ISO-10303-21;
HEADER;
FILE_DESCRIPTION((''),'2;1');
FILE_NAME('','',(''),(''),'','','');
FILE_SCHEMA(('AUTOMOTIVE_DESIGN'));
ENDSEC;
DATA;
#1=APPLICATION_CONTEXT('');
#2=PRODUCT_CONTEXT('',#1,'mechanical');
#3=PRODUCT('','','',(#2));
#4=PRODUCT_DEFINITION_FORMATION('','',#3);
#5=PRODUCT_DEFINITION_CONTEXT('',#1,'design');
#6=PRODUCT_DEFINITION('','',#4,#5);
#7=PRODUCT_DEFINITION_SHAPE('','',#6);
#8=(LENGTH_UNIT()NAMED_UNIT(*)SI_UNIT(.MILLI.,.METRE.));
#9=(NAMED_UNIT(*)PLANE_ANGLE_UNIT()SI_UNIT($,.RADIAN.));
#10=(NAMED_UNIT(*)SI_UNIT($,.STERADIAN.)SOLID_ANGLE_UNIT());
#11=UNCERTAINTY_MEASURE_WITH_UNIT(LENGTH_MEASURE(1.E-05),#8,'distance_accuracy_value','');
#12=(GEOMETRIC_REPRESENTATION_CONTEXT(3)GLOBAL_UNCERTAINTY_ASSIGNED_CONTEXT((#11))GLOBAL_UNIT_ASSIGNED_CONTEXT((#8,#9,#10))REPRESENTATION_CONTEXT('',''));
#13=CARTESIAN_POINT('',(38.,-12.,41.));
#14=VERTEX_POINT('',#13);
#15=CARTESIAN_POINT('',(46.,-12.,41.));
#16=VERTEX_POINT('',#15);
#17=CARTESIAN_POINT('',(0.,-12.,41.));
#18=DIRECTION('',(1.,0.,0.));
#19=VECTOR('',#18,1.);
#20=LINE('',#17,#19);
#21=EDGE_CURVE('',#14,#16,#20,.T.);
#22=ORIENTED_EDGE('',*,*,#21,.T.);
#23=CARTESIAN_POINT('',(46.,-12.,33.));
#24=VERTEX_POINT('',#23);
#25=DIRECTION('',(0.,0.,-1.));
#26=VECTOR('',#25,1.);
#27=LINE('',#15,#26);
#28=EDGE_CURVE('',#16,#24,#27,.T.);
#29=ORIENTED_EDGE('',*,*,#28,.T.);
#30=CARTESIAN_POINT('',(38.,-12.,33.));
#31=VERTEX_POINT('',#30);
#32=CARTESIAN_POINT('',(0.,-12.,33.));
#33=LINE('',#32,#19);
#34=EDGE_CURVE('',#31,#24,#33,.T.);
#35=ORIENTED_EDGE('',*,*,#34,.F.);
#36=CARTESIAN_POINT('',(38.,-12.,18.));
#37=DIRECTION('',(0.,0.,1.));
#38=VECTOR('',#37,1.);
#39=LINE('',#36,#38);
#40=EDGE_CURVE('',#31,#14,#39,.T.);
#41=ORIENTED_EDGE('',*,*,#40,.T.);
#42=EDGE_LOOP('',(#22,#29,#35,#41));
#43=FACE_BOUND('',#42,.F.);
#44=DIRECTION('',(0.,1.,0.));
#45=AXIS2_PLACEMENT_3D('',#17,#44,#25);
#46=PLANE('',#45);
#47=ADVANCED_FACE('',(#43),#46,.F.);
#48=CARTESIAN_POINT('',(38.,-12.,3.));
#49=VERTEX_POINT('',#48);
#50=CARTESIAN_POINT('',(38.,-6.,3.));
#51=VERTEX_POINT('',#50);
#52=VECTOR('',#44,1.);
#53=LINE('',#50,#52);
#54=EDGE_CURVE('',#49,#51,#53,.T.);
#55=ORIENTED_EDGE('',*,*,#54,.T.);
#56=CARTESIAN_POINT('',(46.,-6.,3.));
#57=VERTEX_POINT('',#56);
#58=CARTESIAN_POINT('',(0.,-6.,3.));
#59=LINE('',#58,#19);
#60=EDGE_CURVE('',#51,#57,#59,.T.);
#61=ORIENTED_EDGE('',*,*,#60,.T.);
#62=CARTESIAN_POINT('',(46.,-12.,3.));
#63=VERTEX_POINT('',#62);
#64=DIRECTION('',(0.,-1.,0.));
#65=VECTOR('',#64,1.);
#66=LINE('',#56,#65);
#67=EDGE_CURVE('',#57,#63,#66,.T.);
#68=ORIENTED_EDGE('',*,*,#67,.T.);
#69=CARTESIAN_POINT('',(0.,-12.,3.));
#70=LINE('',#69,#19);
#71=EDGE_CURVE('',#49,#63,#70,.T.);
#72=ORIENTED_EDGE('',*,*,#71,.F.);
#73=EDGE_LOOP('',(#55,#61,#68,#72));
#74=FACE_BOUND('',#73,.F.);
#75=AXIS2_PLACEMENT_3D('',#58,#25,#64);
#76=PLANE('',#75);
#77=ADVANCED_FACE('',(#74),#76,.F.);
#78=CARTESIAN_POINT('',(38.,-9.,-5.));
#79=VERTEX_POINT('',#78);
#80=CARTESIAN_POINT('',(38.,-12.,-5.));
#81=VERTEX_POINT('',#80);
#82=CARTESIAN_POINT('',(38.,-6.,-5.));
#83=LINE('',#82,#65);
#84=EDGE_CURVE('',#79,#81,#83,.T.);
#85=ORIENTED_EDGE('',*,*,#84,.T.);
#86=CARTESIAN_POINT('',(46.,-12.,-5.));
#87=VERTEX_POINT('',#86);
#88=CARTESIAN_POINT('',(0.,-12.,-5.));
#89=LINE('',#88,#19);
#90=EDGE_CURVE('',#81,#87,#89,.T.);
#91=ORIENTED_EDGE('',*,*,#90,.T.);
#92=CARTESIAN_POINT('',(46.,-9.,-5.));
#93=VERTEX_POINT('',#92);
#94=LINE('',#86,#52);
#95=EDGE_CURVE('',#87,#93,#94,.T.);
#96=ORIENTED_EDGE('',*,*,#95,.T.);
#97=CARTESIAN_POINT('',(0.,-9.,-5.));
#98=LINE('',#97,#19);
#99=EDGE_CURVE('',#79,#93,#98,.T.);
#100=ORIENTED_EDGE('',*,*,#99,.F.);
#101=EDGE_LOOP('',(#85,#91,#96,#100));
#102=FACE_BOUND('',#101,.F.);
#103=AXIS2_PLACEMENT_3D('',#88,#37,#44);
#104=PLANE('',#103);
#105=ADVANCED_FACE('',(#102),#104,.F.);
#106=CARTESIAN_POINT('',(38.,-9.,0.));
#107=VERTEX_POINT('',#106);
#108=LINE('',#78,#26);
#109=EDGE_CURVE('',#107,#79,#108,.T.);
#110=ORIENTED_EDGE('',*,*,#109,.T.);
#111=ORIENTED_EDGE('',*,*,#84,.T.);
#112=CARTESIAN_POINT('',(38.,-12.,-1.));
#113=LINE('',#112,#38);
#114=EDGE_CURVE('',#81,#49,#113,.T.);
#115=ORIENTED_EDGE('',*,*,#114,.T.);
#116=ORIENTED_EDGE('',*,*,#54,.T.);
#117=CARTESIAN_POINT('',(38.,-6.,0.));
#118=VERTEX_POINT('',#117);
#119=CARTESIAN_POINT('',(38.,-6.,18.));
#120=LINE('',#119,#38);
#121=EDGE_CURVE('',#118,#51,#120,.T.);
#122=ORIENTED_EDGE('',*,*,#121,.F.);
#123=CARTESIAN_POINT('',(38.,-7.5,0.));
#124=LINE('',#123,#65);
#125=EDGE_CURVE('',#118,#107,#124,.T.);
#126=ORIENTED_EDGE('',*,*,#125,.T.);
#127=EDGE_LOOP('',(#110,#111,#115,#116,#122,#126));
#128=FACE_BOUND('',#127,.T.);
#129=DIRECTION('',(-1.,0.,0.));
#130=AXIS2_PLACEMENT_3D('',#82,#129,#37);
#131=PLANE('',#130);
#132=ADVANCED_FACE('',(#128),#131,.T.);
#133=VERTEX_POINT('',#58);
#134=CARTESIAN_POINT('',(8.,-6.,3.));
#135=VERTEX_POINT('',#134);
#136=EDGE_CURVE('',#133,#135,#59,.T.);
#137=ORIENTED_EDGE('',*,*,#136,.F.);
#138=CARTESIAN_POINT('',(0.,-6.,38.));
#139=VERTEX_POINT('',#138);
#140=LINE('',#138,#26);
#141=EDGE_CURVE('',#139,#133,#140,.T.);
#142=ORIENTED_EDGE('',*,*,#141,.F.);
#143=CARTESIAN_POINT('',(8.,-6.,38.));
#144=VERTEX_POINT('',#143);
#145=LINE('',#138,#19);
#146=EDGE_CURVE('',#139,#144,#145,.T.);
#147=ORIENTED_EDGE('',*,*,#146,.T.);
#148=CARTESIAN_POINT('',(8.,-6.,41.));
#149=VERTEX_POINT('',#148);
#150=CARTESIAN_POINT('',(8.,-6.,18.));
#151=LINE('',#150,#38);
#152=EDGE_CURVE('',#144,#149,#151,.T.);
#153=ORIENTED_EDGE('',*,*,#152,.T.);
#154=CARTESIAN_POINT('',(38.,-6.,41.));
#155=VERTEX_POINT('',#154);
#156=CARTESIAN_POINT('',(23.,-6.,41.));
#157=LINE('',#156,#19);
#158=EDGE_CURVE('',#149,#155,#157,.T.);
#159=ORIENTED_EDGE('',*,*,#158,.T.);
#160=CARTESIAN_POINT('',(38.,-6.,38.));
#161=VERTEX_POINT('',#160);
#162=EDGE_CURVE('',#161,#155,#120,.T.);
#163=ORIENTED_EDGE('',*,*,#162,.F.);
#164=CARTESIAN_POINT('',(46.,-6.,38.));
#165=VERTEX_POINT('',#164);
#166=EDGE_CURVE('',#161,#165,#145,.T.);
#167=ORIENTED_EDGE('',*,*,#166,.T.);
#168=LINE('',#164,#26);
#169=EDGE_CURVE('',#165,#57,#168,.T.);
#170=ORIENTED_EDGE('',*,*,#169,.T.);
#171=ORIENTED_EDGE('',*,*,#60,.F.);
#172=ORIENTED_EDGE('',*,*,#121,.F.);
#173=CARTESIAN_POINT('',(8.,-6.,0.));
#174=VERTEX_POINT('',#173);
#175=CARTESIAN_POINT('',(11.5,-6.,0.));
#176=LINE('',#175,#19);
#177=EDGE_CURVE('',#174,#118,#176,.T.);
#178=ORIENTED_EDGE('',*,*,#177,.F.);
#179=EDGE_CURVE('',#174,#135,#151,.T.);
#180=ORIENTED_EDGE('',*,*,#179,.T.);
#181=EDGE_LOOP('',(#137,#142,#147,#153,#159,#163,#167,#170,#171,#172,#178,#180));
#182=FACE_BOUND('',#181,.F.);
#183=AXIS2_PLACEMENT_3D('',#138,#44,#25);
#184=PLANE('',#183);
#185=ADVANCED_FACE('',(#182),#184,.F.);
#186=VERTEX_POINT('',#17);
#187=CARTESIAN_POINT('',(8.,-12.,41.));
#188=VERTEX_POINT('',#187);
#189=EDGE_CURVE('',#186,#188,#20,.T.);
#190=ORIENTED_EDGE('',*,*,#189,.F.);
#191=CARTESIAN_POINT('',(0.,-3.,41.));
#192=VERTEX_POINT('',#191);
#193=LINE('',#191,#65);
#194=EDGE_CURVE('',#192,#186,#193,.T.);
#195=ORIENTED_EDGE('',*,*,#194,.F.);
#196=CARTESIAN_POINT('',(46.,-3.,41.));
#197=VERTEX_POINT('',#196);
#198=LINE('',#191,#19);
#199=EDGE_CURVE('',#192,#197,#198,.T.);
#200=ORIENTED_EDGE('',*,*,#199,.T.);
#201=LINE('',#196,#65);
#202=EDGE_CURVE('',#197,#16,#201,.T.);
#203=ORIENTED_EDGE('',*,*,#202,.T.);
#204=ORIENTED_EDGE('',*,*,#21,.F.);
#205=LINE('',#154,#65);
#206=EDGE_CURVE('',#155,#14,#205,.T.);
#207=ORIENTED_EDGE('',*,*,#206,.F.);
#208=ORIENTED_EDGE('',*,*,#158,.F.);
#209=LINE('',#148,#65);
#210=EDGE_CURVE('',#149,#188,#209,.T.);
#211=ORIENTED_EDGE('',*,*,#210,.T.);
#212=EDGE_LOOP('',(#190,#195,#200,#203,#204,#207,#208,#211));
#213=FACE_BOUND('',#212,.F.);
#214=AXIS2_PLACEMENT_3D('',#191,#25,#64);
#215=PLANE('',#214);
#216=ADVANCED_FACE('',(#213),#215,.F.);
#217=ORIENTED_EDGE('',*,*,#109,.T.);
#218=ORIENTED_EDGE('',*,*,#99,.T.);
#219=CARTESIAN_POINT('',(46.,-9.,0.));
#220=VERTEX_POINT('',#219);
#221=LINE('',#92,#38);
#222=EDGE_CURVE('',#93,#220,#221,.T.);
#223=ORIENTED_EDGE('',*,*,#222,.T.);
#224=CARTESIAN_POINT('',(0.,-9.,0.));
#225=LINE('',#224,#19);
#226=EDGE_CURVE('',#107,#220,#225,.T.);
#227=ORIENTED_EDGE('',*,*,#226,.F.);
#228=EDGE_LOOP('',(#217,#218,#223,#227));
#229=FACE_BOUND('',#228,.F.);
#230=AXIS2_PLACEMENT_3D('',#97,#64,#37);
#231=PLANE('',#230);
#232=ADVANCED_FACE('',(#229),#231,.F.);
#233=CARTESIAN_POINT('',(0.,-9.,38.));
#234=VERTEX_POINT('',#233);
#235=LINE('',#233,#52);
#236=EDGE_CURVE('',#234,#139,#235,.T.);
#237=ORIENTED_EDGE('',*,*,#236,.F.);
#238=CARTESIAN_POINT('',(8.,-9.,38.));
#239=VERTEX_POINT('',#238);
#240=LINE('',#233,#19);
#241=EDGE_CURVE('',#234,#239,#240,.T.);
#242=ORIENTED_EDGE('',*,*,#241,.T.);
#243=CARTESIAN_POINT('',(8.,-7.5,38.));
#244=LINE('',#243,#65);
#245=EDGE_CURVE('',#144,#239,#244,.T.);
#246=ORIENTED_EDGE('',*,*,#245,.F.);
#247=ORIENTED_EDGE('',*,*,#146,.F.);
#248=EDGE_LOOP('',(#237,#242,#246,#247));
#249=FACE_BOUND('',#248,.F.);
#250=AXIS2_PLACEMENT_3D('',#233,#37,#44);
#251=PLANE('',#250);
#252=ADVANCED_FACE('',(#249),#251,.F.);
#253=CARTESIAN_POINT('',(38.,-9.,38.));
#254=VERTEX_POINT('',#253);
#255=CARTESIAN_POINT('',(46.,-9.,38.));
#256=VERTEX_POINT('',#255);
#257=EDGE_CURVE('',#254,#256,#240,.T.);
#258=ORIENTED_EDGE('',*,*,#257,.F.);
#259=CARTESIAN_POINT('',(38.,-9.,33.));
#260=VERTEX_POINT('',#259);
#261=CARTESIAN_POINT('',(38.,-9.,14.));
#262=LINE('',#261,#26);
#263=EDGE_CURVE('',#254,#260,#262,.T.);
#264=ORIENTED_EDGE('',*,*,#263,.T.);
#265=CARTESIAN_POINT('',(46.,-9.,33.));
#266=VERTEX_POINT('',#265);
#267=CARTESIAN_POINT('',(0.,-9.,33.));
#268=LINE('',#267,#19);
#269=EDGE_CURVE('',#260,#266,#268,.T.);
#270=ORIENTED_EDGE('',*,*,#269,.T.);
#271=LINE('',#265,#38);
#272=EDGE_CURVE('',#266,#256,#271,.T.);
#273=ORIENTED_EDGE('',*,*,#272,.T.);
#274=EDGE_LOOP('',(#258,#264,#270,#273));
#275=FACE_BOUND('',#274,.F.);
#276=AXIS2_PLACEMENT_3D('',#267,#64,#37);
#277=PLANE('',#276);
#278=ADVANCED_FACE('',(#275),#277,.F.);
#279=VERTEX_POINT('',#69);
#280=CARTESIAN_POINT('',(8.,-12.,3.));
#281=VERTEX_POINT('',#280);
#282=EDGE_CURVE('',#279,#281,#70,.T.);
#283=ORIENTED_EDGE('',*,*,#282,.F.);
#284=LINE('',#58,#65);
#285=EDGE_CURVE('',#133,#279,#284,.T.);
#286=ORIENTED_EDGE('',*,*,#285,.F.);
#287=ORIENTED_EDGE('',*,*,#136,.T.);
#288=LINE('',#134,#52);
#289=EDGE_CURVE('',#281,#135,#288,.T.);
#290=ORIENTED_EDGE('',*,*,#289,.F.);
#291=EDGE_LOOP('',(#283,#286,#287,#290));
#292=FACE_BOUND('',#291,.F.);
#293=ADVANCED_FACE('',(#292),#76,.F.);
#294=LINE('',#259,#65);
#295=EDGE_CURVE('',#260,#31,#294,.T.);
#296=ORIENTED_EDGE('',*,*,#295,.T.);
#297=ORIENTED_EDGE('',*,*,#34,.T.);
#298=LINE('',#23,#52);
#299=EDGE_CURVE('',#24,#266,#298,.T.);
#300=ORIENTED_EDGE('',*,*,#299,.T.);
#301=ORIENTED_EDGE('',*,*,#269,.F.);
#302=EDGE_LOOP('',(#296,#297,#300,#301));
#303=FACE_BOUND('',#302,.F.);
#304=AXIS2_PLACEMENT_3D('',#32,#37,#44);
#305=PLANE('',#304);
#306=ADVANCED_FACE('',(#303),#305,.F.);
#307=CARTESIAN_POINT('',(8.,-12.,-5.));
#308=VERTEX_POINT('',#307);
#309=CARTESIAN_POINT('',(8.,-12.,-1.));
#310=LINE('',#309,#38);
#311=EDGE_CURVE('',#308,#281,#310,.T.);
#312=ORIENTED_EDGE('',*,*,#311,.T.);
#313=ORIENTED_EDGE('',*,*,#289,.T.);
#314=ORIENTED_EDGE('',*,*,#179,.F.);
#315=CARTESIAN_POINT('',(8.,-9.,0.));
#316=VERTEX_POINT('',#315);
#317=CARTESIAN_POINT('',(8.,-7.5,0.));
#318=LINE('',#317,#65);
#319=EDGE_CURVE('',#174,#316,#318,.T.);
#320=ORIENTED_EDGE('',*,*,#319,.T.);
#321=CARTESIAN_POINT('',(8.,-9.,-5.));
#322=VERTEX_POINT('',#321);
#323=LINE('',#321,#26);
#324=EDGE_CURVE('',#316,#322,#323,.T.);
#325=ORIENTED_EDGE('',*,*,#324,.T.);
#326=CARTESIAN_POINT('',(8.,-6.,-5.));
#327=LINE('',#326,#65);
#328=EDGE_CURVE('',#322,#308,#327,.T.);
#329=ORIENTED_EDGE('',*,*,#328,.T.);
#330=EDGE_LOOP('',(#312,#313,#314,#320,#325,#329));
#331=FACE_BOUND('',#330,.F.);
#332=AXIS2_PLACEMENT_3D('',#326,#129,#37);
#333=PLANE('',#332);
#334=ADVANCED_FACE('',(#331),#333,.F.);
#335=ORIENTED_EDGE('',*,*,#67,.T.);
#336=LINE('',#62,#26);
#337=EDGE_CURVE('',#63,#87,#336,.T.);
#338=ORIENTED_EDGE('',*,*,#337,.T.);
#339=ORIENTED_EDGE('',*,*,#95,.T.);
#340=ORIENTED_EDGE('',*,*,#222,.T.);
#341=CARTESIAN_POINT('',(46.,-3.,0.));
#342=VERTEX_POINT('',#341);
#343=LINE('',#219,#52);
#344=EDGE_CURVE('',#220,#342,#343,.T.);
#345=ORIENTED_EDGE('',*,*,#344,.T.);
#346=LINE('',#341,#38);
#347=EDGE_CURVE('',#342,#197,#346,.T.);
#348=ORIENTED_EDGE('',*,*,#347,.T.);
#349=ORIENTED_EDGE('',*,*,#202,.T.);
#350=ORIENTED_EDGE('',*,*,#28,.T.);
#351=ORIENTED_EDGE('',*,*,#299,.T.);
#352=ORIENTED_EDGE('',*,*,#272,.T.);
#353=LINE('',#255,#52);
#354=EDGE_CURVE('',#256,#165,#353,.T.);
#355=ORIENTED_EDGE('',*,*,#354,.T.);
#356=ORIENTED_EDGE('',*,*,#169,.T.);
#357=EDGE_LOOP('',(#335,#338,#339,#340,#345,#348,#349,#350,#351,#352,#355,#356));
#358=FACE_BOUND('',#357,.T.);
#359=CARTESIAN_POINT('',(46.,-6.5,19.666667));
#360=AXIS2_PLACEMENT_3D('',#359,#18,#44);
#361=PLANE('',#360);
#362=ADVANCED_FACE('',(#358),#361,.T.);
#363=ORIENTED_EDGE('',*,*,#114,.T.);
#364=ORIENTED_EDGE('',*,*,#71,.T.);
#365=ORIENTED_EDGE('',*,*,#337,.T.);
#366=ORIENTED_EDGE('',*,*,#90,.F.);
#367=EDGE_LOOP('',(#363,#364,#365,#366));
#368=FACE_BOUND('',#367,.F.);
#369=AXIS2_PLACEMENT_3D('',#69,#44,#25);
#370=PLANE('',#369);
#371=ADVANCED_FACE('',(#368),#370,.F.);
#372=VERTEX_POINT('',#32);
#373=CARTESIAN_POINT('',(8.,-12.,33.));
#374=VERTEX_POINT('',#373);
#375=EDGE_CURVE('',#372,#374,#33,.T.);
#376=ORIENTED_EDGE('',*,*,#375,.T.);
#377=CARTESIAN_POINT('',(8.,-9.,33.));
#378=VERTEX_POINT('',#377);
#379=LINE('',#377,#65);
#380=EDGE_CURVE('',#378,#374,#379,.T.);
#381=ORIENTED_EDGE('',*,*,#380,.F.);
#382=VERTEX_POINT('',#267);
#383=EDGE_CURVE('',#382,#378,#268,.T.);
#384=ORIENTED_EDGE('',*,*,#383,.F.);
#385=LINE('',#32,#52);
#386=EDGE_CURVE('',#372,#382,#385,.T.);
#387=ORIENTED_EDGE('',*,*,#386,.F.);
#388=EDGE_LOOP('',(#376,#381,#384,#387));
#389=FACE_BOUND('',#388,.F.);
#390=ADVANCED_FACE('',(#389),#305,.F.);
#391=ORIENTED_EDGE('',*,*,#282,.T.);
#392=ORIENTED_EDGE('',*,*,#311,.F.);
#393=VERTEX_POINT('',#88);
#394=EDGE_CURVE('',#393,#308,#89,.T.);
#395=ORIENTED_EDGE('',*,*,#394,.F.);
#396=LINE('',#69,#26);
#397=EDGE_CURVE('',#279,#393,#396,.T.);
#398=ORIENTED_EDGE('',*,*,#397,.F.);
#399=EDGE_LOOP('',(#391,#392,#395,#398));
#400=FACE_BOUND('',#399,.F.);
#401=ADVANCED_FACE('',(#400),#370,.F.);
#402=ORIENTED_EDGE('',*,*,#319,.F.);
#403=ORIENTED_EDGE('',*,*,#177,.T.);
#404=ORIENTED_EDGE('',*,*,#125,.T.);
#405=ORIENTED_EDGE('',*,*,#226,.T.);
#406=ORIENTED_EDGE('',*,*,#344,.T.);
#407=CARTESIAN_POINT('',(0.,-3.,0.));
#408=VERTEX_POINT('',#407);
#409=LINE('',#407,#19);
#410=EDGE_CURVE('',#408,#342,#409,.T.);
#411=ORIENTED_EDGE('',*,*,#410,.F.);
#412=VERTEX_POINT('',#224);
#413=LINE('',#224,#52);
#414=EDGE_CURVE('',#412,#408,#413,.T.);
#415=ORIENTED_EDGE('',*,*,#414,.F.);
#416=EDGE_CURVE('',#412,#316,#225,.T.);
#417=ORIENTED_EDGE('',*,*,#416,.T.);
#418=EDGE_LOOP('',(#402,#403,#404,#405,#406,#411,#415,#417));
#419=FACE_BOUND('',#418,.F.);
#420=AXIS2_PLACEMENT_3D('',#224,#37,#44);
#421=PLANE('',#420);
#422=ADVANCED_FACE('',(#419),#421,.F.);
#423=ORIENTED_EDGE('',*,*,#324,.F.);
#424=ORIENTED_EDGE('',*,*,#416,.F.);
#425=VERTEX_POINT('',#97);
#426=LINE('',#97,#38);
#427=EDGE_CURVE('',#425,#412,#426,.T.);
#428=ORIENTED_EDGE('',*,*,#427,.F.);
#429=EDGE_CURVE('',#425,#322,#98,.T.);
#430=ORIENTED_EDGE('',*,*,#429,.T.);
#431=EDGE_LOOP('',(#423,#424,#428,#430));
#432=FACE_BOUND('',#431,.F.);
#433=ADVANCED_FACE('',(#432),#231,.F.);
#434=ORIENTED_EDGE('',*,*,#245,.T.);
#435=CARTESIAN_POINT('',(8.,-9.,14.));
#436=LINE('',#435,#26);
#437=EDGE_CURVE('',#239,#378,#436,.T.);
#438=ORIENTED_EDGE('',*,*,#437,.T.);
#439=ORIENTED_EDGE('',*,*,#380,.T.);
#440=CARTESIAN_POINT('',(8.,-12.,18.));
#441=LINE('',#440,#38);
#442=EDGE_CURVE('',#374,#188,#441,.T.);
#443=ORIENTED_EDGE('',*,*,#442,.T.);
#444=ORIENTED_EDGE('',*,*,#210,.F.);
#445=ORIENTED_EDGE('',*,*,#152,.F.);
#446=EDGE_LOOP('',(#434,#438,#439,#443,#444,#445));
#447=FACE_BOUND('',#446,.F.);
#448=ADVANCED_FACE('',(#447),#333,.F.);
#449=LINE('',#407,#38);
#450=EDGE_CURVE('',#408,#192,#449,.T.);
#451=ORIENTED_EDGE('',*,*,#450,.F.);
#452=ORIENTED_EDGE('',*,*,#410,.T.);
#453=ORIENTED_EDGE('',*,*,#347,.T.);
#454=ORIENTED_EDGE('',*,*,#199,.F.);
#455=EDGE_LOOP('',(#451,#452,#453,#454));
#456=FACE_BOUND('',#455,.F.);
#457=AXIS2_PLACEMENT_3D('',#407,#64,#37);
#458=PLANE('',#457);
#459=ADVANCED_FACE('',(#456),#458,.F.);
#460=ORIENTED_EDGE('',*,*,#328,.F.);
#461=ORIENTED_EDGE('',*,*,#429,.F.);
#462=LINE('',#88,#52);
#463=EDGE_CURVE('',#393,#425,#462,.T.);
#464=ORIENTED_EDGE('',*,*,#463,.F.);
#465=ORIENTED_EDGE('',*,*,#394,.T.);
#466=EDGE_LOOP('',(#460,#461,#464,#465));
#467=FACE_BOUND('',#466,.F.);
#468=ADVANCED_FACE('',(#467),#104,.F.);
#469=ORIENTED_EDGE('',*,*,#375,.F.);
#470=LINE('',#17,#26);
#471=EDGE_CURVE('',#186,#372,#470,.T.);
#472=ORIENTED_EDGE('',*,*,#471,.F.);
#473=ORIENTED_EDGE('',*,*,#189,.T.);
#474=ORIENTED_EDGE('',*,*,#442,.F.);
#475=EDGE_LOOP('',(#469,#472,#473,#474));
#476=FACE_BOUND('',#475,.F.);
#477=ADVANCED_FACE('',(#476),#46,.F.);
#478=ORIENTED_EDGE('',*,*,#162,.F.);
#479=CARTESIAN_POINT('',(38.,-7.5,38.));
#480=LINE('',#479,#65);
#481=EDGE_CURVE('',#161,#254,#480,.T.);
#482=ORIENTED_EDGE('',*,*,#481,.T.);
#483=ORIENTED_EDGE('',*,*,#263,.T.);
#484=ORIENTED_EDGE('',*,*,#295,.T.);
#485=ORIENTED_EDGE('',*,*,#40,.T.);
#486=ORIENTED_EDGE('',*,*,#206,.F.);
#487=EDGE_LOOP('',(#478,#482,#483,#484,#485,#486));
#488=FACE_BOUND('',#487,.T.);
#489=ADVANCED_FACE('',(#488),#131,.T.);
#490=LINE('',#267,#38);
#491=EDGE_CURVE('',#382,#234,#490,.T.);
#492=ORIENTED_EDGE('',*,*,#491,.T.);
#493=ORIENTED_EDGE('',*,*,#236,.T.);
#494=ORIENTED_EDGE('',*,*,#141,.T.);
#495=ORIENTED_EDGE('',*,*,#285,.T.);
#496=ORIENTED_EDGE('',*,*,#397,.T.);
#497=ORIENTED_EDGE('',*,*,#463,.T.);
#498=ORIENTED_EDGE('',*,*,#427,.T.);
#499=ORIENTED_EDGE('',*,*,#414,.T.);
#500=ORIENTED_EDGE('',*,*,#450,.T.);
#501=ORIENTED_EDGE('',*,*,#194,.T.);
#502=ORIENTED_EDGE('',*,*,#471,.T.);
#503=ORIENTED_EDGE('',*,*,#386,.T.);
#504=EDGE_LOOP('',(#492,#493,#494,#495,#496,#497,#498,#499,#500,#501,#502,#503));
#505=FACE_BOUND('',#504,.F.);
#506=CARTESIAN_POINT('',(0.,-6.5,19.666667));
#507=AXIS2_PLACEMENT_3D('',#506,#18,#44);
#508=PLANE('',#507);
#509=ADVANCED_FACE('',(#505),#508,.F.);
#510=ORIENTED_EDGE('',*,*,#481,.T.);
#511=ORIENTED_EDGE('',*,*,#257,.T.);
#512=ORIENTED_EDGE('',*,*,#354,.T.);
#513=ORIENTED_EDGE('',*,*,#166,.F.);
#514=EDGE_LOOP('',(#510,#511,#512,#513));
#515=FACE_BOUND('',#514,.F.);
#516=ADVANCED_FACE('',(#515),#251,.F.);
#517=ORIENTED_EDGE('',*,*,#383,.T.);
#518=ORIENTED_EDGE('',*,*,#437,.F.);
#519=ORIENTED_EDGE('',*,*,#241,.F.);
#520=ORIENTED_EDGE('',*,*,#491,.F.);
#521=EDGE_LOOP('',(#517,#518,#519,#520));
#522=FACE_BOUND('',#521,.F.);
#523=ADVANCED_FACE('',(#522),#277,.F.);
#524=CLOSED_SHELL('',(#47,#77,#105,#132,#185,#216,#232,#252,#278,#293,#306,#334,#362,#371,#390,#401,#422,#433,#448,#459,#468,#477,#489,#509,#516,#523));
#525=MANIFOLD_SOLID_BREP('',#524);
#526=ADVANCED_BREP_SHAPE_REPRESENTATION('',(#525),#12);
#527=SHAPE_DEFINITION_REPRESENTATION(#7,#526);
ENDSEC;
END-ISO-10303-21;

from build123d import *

# Parameters (mm, degrees)
F2_DEPTH = 46
F3_W     = 30
F3_H     = 46
F4_DEPTH = 6.001


with BuildPart() as f2:
    # F1 (on Right) → F2 (new body)
    with BuildSketch(Plane.YZ):
        Polygon((-9, 38), (-6, 38), (-6, 3), (-12, 3), (-12, -5), (-9, -5), (-9, 0), (-3, 0), (-3, 41), (-12, 41), (-12, 33), (-9, 33), align=None)
    extrude(amount=F2_DEPTH)

    # F3 (on face) → F4 (cut, through all)
    with BuildSketch(Plane.XZ.offset(6)):
        with Locations((23, 18)):
            Rectangle(F3_W, F3_H)
    extrude(amount=F4_DEPTH, mode=Mode.SUBTRACT)


solid = f2.part
